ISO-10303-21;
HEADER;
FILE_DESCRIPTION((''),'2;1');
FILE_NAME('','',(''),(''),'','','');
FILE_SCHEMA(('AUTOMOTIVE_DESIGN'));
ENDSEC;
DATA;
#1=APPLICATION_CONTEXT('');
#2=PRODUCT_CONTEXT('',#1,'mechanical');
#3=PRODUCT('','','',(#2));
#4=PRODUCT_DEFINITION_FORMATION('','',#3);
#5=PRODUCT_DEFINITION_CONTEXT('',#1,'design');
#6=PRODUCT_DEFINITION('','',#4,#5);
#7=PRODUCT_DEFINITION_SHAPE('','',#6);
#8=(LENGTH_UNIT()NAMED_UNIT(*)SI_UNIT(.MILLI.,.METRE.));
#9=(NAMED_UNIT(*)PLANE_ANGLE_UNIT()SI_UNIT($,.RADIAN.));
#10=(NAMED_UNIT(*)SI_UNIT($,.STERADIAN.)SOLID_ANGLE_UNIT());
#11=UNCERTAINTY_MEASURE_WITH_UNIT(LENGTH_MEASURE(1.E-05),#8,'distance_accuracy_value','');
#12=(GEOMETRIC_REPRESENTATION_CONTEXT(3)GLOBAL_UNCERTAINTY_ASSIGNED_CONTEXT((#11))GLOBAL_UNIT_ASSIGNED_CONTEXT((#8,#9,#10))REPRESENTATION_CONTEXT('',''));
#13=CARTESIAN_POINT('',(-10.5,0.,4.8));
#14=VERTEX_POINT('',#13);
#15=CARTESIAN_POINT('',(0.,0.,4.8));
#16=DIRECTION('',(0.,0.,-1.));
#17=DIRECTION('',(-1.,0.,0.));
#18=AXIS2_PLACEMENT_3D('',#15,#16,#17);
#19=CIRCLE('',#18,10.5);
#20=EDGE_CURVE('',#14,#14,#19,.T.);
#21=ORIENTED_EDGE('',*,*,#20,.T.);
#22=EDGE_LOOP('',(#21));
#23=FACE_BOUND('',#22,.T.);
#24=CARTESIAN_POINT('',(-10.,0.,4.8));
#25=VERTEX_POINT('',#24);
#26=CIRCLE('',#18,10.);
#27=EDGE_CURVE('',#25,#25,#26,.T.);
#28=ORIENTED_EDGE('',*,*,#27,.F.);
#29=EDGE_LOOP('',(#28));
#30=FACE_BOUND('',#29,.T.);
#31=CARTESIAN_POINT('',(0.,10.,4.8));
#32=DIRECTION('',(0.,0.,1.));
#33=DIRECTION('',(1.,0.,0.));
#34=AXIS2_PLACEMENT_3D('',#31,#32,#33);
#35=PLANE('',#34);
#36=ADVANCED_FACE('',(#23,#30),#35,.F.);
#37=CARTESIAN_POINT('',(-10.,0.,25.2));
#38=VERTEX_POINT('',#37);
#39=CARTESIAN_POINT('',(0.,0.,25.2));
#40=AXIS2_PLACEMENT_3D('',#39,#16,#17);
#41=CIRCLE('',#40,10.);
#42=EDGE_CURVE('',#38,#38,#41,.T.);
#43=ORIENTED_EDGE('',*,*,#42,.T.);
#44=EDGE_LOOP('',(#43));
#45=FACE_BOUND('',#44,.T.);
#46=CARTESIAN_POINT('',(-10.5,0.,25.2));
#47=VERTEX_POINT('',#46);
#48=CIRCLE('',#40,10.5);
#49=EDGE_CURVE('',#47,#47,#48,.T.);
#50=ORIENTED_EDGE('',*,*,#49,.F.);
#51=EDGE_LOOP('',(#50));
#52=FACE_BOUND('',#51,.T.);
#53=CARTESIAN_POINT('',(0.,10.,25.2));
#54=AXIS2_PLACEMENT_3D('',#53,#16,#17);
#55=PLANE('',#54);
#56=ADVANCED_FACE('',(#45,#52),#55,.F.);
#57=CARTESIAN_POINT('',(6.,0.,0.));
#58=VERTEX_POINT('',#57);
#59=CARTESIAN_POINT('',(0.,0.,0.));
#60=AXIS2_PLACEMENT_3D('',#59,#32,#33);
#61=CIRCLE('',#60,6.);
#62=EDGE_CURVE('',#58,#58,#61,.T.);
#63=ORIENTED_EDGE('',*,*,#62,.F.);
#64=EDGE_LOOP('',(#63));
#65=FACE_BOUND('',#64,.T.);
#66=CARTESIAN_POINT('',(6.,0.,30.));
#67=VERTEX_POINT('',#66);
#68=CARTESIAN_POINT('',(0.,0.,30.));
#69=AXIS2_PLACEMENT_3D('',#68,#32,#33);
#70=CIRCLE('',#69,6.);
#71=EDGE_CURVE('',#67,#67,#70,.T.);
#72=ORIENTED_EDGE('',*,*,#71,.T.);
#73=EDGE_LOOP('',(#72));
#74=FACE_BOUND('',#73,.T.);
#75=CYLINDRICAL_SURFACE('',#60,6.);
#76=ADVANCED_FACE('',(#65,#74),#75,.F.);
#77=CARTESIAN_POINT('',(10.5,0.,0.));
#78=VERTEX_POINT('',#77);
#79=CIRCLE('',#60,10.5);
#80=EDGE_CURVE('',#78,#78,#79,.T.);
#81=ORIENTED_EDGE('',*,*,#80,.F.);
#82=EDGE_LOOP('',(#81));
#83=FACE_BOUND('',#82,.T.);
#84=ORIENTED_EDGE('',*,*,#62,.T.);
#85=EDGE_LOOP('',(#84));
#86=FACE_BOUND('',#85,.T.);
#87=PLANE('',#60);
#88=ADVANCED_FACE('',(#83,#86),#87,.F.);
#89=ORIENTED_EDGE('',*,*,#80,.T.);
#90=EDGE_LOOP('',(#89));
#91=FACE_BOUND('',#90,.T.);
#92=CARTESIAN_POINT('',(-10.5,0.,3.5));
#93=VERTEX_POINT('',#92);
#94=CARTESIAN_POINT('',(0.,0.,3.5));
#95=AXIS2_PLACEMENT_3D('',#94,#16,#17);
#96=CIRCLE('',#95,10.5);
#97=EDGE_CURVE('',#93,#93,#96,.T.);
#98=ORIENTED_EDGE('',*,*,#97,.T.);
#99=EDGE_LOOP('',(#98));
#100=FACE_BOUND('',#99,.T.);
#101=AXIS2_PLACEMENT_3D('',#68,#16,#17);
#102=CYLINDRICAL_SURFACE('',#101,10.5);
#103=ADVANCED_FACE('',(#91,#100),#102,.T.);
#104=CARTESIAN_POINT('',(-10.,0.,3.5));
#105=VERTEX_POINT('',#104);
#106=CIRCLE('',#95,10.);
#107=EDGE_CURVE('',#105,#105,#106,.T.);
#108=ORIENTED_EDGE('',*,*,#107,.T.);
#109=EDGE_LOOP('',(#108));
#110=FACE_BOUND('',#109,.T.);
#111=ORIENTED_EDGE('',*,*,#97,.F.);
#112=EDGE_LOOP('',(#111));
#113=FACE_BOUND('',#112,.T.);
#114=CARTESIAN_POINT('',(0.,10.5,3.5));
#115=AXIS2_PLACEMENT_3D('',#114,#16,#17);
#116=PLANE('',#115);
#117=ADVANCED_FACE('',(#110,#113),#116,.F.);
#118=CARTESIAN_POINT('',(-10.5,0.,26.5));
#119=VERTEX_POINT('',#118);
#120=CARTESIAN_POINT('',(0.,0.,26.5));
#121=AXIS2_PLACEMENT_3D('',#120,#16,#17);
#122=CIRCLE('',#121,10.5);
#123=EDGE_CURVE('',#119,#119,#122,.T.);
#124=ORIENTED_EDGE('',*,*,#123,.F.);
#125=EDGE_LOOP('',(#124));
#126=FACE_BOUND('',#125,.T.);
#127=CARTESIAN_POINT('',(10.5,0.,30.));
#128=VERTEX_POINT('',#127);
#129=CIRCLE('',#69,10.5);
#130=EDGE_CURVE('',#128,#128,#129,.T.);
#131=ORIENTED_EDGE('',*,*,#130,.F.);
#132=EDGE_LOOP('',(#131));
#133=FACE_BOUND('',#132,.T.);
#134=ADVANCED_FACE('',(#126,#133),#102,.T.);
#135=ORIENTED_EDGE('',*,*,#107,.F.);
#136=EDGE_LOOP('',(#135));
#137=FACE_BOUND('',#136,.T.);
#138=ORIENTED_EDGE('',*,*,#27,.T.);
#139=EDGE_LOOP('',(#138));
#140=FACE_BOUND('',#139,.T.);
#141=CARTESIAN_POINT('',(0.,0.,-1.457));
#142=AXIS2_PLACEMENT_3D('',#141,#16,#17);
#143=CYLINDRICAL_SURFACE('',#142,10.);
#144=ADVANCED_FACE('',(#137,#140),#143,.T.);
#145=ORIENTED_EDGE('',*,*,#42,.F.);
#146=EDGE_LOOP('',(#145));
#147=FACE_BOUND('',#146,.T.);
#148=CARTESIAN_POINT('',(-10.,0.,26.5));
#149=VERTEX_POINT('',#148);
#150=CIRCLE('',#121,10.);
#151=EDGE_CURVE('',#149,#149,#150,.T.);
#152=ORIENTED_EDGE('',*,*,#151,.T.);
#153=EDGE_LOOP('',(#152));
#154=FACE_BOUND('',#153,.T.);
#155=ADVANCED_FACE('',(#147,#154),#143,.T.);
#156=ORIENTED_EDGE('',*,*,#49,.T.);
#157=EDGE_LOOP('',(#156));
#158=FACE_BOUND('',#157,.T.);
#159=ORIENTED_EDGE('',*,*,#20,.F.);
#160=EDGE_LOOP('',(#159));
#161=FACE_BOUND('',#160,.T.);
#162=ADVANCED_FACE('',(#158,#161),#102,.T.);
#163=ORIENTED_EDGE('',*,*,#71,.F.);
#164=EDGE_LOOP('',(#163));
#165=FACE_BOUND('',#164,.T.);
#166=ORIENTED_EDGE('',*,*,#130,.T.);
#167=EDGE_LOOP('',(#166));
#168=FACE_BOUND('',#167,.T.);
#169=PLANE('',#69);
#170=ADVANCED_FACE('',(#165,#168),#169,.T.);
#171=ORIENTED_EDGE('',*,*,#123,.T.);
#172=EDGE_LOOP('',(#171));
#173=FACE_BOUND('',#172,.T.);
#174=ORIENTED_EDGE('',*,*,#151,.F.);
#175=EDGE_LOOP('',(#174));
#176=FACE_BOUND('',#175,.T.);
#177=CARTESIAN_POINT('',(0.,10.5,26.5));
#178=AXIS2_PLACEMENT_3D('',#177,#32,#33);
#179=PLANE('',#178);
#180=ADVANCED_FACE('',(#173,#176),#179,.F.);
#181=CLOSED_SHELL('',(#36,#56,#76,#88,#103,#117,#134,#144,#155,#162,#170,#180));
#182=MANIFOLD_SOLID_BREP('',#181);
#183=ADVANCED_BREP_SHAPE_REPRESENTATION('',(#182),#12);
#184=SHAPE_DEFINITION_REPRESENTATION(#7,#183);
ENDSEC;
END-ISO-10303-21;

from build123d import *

# Parameters (mm, degrees)
ESBO_O1_R                  = 10.5
RESSALTO_EXTRUS_O1_DEPTH   = 30
ESBO_O2_R                  = 6
CORTE_EXTRUS_O1_DEPTH      = 1
CORTE_EXTRUS_O1_DEPTH_BACK = 31
ESBO_O4_W                  = 1.3
ESBO_O4_H                  = 0.5


with BuildPart() as part:
    # Esboço1 → Ressalto-extrusão1 (new body)
    with BuildSketch(Plane.XY):
        Circle(ESBO_O1_R)
    extrude(amount=RESSALTO_EXTRUS_O1_DEPTH)

    # Esboço2 → Corte-extrusão1 (cut, two sides)
    with BuildSketch(Plane.XY.offset(30)) as corte_extrus_o1_sk:
        Circle(ESBO_O2_R)
    extrude(amount=CORTE_EXTRUS_O1_DEPTH, mode=Mode.SUBTRACT)
    extrude(corte_extrus_o1_sk.sketch, amount=-CORTE_EXTRUS_O1_DEPTH_BACK, mode=Mode.SUBTRACT)

    # Esboço4 → Corte-Revolução1 (revolve, cut)
    with BuildSketch(Plane(origin=(0, 0, 0), x_dir=(0, 0, -1), z_dir=(1, 0, 0))):
        with Locations((-25.85, 10.25)):
            Rectangle(ESBO_O4_W, ESBO_O4_H)
        with Locations((-4.15, 10.25)):
            Rectangle(ESBO_O4_W, ESBO_O4_H)
    revolve(axis=Axis((0, 0, -1.457000242), (0, 0, 1)), mode=Mode.SUBTRACT)


solid = part.part
